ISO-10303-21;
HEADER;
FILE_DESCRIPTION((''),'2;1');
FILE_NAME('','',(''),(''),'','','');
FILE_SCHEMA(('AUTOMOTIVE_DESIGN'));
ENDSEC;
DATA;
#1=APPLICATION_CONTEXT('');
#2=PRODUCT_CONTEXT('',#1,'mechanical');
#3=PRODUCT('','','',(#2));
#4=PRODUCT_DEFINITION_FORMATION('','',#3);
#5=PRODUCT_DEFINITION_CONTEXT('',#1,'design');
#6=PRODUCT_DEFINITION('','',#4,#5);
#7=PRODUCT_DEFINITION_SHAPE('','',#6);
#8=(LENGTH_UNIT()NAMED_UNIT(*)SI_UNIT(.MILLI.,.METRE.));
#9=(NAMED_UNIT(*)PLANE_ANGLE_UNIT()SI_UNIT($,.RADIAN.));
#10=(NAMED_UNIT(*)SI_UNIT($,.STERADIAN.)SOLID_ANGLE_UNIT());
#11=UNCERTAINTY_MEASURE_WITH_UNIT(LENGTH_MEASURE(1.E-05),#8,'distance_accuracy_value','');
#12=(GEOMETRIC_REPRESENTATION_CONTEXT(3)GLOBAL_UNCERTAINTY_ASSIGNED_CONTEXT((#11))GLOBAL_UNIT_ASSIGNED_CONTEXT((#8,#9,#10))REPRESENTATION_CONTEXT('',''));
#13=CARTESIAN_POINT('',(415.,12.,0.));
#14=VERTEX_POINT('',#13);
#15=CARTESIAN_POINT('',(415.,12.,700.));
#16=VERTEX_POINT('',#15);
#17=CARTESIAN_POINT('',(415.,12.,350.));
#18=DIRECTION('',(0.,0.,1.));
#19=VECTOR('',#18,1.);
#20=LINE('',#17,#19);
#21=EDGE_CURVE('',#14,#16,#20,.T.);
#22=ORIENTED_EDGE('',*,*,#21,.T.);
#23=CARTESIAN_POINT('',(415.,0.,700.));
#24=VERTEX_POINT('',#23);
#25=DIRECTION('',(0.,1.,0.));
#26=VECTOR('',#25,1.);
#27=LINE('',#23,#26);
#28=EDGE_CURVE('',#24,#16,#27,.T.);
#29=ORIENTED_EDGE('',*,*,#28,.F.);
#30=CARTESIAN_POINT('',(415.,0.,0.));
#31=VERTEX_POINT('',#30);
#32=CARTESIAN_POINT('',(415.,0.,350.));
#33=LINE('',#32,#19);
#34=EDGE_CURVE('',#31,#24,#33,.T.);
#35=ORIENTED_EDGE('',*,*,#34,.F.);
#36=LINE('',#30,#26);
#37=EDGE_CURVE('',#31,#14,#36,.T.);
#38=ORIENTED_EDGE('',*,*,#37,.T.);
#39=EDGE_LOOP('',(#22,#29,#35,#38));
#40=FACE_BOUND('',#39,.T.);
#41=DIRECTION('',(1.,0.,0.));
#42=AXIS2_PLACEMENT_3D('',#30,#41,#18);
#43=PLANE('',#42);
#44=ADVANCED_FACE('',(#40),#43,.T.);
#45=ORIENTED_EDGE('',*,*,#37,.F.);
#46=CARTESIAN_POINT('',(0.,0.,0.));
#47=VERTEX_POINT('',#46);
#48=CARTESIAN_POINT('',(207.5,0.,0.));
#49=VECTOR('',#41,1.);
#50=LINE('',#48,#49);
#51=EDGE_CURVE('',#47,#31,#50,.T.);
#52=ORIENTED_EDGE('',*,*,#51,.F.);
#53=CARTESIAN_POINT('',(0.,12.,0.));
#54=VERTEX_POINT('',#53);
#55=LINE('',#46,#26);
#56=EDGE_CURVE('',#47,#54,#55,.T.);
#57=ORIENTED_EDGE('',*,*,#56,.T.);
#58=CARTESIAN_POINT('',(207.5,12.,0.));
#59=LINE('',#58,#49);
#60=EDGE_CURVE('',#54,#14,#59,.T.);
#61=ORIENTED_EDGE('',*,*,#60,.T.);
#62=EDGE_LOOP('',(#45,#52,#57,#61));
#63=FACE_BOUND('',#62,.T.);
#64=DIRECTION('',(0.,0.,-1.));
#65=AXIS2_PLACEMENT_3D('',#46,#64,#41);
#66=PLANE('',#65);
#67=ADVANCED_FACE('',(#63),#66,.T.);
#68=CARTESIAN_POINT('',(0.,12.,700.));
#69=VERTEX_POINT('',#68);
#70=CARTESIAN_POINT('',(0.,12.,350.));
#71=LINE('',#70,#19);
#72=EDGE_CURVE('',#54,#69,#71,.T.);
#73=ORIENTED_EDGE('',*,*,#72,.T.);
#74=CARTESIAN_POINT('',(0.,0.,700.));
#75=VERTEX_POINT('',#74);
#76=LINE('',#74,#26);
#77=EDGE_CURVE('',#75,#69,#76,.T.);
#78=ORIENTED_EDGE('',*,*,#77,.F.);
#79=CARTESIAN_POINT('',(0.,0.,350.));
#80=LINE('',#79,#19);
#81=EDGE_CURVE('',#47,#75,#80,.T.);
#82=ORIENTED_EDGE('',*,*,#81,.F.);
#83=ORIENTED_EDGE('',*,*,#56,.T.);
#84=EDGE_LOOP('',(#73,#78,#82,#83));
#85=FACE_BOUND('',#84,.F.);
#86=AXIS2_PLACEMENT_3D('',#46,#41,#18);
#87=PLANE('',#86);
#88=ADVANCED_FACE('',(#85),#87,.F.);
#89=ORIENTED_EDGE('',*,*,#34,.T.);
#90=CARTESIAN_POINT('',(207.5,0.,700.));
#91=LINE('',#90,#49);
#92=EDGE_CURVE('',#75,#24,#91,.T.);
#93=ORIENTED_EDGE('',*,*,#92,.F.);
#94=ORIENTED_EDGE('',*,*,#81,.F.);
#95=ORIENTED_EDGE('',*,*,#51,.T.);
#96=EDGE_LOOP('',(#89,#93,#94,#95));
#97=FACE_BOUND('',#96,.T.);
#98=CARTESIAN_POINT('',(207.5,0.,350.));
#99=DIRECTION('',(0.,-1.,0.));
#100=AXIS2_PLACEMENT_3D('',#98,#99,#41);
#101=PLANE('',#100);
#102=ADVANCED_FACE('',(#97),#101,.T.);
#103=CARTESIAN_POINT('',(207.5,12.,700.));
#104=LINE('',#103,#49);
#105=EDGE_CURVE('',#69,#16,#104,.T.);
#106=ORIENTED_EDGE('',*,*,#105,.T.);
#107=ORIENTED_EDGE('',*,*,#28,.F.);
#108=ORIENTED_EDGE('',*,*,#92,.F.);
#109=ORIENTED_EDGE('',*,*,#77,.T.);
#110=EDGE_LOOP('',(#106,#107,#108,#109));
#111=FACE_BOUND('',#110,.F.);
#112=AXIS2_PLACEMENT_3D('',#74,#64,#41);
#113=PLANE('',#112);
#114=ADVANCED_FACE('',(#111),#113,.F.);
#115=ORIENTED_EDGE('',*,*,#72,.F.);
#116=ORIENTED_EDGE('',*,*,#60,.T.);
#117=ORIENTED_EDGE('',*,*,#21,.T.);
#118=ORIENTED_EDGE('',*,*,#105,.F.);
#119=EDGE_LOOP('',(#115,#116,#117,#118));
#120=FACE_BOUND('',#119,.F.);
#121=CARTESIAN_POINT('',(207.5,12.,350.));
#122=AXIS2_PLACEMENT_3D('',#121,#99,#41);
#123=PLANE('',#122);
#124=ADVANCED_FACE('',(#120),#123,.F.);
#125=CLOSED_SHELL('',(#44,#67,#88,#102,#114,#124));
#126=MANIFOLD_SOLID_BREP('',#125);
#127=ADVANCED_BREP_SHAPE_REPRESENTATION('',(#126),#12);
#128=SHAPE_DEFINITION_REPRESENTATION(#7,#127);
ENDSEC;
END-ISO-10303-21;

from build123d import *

# Parameters (mm, degrees)
SKETCH_W  = 415
SKETCH_H  = 700
PAD_DEPTH = 12


with BuildPart() as part:
    # Sketch → Pad (new body)
    with BuildSketch(Plane.XZ):
        with Locations((207.5, 350)):
            Rectangle(SKETCH_W, SKETCH_H)
    extrude(amount=-PAD_DEPTH)


solid = part.part
